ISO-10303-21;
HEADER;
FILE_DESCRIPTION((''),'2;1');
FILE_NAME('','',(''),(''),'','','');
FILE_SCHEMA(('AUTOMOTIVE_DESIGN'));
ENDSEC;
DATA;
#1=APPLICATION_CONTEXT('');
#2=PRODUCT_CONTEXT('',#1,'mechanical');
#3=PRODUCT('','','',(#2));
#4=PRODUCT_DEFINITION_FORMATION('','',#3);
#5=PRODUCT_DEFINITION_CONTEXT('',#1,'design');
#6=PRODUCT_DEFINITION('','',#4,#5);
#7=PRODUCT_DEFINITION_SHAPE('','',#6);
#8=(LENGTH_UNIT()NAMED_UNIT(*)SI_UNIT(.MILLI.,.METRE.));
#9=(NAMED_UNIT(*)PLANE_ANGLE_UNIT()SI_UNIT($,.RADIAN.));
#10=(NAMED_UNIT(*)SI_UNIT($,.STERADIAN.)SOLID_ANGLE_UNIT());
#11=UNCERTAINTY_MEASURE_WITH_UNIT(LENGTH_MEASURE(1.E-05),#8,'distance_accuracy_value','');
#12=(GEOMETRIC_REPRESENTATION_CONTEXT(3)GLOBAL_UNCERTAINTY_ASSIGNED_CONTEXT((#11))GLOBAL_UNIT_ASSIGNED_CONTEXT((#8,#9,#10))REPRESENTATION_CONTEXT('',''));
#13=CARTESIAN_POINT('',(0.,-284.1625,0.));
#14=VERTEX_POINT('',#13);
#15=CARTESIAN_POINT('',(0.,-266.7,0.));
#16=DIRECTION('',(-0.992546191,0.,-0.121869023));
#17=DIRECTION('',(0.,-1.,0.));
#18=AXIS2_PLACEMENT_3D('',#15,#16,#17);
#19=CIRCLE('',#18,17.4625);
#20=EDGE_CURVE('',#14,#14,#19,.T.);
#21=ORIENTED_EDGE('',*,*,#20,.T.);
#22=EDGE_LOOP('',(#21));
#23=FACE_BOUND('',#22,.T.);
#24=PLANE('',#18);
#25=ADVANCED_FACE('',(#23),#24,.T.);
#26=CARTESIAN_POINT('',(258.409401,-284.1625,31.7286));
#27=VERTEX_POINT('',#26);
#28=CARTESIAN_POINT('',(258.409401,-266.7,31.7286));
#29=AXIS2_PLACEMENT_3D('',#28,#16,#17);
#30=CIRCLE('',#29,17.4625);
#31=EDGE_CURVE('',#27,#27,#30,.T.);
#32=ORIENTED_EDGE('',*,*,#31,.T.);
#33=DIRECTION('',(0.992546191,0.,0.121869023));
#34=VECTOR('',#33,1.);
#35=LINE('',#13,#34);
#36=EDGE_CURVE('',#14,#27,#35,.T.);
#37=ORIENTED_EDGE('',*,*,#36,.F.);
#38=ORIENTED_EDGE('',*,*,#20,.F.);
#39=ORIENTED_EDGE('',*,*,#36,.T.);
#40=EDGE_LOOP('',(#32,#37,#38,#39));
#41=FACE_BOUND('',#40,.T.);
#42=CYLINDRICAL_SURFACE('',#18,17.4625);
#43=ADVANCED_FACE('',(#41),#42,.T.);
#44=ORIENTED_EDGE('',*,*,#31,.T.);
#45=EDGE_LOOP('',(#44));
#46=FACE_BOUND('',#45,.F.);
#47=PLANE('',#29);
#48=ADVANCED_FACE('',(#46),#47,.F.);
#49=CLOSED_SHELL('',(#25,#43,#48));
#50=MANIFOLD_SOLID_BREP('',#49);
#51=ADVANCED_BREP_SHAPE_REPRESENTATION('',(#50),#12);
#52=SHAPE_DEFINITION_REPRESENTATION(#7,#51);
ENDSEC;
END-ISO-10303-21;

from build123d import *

# Parameters (mm, degrees)
F2_R     = 17.4625
F3_DEPTH = 260.35


with BuildPart() as f3:
    # F2 (on face) → F3 (new body)
    with BuildSketch(Plane(origin=(0, 0, 0), x_dir=(0, -1, 0), z_dir=(-0.992546, 0, -0.121869))):
        with Locations((266.7, 0)):
            Circle(F2_R)
    extrude(amount=-F3_DEPTH)


solid = f3.part
